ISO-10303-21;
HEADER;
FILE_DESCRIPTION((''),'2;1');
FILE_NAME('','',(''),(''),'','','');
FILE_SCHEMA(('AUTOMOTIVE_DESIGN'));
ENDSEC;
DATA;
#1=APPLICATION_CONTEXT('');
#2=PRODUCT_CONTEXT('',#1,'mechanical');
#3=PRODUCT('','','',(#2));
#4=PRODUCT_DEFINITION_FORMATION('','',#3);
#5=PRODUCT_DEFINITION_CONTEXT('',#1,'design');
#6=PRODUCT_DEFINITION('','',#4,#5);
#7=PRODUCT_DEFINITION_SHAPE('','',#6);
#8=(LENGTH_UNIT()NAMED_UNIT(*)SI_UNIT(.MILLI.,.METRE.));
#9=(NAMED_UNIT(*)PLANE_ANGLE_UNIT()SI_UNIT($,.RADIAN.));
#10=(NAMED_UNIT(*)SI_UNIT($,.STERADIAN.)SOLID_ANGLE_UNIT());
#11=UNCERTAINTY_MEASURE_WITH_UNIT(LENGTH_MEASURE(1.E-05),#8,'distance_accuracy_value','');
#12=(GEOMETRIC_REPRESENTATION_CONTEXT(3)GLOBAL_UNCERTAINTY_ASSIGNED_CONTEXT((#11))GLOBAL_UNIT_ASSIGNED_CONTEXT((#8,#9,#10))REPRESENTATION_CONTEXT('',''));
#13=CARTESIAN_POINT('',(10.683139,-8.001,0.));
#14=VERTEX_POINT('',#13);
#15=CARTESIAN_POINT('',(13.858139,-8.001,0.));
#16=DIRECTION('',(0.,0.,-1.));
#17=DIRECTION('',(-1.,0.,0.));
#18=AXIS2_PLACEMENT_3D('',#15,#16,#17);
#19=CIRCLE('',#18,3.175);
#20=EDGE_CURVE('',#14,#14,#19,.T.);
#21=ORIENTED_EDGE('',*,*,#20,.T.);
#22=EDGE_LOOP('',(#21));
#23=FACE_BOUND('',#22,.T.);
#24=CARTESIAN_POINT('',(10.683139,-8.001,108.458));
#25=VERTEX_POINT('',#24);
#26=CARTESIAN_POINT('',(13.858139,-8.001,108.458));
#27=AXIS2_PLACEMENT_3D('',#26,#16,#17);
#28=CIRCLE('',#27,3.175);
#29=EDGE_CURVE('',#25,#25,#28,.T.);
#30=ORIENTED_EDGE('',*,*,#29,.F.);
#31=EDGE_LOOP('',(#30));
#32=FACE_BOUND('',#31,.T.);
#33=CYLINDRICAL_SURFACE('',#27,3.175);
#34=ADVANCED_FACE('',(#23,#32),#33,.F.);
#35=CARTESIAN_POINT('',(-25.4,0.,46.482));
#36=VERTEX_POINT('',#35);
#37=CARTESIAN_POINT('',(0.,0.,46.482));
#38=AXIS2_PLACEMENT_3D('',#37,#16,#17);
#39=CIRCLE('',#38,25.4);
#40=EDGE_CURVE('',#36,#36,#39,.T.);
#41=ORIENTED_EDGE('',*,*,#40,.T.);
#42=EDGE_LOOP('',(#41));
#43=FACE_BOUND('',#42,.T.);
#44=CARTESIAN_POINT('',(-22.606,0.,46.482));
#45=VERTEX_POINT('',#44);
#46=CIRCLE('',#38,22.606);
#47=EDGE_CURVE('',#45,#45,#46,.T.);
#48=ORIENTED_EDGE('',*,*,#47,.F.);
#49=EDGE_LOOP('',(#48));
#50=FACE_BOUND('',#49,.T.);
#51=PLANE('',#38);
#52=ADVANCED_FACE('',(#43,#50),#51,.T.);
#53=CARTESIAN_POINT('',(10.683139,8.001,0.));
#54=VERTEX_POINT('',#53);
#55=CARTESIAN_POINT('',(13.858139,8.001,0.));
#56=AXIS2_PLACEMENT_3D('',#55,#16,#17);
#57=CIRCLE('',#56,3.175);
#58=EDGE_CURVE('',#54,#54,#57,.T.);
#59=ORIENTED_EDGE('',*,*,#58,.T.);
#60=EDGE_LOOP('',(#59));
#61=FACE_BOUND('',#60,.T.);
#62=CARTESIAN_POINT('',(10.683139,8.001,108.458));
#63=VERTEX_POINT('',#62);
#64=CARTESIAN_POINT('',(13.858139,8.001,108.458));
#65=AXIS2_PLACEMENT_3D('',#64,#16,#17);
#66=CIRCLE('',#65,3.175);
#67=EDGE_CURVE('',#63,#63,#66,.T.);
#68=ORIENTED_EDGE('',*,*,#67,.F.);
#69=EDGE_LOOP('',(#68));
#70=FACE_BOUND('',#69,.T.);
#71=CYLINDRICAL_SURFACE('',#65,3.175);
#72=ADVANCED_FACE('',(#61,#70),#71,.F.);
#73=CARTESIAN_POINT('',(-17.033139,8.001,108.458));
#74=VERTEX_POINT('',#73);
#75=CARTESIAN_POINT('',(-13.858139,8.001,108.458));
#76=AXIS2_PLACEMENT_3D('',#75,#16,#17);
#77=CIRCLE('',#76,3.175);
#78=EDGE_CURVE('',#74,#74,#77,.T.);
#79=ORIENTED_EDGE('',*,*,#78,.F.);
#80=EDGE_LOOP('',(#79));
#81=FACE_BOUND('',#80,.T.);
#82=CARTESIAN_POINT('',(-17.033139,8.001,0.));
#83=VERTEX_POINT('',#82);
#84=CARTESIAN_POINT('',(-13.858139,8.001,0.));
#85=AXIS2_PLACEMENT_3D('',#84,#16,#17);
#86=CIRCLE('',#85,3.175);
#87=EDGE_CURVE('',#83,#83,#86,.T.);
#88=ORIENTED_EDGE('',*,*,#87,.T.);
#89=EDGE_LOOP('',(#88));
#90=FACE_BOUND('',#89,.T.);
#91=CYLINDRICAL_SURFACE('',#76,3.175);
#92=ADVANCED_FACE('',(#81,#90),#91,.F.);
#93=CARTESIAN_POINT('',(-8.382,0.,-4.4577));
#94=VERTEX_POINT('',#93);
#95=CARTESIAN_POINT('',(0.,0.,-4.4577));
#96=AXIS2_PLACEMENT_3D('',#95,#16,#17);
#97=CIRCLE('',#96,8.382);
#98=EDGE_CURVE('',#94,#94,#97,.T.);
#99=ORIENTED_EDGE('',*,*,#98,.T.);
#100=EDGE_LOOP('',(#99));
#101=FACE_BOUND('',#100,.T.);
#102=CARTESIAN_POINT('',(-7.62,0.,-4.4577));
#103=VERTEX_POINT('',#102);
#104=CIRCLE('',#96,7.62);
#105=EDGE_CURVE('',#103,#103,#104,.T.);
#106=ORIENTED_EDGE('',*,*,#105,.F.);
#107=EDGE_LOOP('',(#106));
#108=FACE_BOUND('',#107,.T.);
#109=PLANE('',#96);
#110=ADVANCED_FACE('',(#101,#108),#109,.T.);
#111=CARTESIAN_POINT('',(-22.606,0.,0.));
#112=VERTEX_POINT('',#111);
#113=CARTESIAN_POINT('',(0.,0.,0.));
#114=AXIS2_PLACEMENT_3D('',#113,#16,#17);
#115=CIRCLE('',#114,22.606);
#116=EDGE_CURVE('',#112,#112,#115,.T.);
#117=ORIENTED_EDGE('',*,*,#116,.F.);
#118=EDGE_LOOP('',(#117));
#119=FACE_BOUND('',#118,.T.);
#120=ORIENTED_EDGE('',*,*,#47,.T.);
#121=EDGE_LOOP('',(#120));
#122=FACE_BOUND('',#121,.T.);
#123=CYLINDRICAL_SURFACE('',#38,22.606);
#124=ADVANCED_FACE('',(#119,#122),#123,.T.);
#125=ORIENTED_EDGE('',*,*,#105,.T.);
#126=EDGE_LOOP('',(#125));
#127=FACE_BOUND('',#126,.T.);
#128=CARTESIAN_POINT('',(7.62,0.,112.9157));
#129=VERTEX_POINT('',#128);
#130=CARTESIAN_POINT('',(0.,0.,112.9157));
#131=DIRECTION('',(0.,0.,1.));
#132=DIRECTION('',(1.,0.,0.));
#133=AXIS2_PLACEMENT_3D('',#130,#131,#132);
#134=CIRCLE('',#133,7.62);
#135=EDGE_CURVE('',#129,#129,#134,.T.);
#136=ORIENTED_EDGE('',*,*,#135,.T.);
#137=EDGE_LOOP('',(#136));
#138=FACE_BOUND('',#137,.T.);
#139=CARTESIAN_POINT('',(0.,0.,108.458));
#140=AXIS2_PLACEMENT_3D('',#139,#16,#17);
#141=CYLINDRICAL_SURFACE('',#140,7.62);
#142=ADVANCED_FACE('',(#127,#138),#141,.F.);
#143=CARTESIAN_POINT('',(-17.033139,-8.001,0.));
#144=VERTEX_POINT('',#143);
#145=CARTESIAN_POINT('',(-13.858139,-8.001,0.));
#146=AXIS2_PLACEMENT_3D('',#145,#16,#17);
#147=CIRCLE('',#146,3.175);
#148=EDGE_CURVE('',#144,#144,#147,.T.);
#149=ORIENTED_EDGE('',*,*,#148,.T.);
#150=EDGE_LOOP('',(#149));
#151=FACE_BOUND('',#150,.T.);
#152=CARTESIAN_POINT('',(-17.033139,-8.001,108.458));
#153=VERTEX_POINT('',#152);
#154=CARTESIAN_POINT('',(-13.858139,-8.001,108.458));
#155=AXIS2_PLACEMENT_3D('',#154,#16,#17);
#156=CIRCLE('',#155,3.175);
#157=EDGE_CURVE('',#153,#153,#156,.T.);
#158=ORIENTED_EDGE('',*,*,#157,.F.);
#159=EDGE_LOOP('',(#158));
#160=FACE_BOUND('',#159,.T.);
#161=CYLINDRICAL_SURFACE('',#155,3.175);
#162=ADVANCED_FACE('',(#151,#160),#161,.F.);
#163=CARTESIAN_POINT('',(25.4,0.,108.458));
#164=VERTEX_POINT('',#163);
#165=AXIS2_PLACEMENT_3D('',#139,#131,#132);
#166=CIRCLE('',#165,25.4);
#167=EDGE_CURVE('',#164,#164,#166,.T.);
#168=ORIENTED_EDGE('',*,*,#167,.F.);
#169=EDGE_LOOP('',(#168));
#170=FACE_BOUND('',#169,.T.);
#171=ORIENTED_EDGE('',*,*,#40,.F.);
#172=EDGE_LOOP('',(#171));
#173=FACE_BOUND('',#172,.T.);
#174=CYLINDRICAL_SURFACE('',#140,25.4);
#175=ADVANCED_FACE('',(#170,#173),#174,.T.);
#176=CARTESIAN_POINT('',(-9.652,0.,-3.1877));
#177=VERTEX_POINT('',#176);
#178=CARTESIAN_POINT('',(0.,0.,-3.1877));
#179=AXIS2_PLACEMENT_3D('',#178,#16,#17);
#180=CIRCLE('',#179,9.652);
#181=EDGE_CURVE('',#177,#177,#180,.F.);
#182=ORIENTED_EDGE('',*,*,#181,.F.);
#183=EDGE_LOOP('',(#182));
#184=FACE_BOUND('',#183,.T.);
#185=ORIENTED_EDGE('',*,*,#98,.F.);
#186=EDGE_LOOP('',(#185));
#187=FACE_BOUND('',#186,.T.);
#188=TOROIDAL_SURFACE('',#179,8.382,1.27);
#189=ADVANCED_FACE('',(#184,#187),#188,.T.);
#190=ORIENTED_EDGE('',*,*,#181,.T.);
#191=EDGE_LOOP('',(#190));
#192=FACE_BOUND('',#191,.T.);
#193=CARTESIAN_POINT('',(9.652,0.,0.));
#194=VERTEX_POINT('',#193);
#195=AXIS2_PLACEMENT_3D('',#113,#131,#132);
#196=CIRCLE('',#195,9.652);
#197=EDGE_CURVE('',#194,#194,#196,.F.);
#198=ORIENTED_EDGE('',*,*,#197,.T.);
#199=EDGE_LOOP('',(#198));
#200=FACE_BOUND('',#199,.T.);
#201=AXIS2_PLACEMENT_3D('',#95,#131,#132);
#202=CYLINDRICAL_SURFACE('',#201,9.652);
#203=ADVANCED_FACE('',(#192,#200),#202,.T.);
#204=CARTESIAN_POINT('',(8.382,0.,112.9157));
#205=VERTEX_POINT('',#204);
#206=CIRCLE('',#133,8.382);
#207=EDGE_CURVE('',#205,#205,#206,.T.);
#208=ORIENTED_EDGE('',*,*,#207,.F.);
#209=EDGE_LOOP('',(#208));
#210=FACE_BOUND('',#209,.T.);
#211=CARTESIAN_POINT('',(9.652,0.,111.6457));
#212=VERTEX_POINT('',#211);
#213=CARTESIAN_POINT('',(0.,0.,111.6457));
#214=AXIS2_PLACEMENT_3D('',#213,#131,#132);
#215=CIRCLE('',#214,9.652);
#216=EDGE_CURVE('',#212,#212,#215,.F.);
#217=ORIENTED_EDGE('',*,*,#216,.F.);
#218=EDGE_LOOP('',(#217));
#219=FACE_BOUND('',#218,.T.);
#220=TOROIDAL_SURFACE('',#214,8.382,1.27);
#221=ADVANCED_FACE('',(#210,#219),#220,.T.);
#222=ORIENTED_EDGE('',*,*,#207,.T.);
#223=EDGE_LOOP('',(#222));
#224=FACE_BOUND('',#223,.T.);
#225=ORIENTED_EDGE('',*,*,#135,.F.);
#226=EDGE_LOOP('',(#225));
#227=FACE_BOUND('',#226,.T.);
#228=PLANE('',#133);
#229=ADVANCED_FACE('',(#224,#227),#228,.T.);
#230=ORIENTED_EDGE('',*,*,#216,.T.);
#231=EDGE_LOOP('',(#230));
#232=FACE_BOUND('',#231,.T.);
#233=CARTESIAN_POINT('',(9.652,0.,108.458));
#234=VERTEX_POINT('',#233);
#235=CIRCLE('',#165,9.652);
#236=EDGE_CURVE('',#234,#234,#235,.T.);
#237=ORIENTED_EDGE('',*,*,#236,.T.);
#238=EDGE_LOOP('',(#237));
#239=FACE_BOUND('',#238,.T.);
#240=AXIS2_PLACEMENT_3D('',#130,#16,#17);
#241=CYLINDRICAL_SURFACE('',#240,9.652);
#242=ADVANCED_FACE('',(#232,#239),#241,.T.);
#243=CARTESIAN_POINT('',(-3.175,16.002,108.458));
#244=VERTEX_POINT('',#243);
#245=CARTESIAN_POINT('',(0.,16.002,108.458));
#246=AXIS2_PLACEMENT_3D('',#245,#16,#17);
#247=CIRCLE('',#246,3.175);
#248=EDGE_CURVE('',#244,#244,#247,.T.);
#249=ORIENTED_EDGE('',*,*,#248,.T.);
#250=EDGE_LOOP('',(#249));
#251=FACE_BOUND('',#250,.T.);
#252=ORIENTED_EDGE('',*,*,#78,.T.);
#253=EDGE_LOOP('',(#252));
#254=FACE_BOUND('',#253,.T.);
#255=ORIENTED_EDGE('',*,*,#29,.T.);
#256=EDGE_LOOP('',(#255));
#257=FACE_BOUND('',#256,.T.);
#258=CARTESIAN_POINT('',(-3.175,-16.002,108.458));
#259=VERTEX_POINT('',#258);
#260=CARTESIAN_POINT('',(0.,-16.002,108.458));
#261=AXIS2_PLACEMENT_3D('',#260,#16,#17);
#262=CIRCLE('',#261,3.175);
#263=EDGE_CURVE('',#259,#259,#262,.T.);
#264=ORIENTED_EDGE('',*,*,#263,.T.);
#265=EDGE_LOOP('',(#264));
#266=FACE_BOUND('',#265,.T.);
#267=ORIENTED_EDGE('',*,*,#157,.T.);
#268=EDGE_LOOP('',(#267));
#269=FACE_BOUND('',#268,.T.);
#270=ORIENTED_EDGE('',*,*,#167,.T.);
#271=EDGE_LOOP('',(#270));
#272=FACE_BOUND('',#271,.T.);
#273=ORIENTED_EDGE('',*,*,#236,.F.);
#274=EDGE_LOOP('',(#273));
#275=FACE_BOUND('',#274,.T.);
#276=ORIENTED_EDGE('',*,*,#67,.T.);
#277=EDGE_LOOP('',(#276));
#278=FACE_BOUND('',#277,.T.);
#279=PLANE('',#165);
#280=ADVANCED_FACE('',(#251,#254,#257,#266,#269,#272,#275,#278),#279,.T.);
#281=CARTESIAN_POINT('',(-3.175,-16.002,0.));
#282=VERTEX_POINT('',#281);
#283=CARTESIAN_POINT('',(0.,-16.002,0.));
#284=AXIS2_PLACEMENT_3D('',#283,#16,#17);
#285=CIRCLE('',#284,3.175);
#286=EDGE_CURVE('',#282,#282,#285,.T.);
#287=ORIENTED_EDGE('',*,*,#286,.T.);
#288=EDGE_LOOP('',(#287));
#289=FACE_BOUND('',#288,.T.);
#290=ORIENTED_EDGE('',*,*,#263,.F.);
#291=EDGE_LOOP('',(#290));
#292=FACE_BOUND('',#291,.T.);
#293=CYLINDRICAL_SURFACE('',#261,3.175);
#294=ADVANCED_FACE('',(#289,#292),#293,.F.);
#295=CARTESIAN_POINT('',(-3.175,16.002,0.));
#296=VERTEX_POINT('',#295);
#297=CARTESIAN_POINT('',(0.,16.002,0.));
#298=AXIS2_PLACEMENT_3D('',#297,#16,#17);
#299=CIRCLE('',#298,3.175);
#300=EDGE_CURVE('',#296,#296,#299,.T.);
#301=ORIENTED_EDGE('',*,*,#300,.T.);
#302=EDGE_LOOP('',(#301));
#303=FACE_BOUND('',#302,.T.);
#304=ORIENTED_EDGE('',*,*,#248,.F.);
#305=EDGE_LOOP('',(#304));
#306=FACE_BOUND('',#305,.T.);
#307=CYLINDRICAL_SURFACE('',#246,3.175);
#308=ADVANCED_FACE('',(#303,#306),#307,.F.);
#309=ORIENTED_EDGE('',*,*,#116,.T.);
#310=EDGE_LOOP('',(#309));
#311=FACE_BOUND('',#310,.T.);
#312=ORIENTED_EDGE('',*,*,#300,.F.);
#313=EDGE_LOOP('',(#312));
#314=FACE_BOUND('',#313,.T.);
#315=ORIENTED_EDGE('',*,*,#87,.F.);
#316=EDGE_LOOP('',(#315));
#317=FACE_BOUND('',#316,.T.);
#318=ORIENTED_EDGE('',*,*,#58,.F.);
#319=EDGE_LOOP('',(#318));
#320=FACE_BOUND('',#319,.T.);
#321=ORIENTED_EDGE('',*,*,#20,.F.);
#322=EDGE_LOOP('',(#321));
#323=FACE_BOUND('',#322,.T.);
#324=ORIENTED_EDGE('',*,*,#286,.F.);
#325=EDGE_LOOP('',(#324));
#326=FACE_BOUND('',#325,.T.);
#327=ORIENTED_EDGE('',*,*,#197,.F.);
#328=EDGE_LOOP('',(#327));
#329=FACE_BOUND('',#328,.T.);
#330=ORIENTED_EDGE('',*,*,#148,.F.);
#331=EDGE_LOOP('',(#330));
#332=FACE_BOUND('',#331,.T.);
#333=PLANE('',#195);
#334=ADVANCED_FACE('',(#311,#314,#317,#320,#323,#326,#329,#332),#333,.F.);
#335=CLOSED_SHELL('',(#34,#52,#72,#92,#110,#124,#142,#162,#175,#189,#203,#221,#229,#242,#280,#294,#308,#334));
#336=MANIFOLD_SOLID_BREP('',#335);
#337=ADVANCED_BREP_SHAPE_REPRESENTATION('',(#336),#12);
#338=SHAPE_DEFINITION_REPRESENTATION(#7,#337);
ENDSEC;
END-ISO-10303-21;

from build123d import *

# Parameters (mm, degrees)
SKETCH1_R           = 25.4
BOSS_EXTRUDE2_DEPTH = 108.458
SKETCH6_R           = 7.62
SKETCH6_R_2         = 3.175
CUT_EXTRUDE1_DEPTH  = 108.458
SKETCH7_R           = 25.4
SKETCH7_R_2         = 22.606
CUT_EXTRUDE2_DEPTH  = 46.482
SKETCH8_R           = 9.652
SKETCH8_R_2         = 7.62
BOSS_EXTRUDE7_DEPTH = 4.4577
BOSS_EXTRUDE8_START = 4.4577
SKETCH9_R           = 9.652
SKETCH9_R_2         = 7.62
BOSS_EXTRUDE8_DEPTH = 4.4577
FILLET1_R           = 1.27


with BuildPart() as part:
    # Sketch1 → Boss-Extrude2 (new body)
    with BuildSketch(Plane.XY):
        Circle(SKETCH1_R)
    extrude(amount=BOSS_EXTRUDE2_DEPTH)

    # Sketch6 → Cut-Extrude1 (cut)
    with BuildSketch(Plane(origin=(0, 0, 0), x_dir=(-1, 0, 0), z_dir=(0, 0, -1))):
        Circle(SKETCH6_R)
        with Locations((-13.858138511, 8.001)):
            Circle(SKETCH6_R_2)
        with Locations((0, 16.002)):
            Circle(SKETCH6_R_2)
        with Locations((13.858138511, 8.001)):
            Circle(SKETCH6_R_2)
        with Locations((13.858138511, -8.001)):
            Circle(SKETCH6_R_2)
        with Locations((0, -16.002)):
            Circle(SKETCH6_R_2)
        with Locations((-13.858138511, -8.001)):
            Circle(SKETCH6_R_2)
    extrude(amount=-CUT_EXTRUDE1_DEPTH, mode=Mode.SUBTRACT)

    # Sketch7 → Cut-Extrude2 (cut)
    with BuildSketch(Plane(origin=(0, 0, 0), x_dir=(-1, 0, 0), z_dir=(0, 0, -1))):
        Circle(SKETCH7_R)
        Circle(SKETCH7_R_2, mode=Mode.SUBTRACT)
    extrude(amount=-CUT_EXTRUDE2_DEPTH, mode=Mode.SUBTRACT)

    # Sketch8 → Boss-Extrude7 (add)
    with BuildSketch(Plane.XY.offset(108.458)):
        Circle(SKETCH8_R)
        with Locations(Location((0, 0, 0), (0, 0, 180))):
            Circle(SKETCH8_R_2, mode=Mode.SUBTRACT)
    extrude(amount=BOSS_EXTRUDE7_DEPTH)

    # Sketch9 → Boss-Extrude8 (add)
    with BuildSketch(Plane(origin=(0, 0, 0), x_dir=(-1, 0, 0), z_dir=(0, 0, -1)).offset(BOSS_EXTRUDE8_START)):
        with Locations(Location((0, 0, 0), (0, 0, 180))):
            Circle(SKETCH9_R)
        Circle(SKETCH9_R_2, mode=Mode.SUBTRACT)
    extrude(amount=-BOSS_EXTRUDE8_DEPTH)

    # Fillet1
    fillet1_edges = [part.edges().sort_by_distance(p)[0] for p in [
        (-9.652, 0, 112.9157),
        (-9.652, 0, -4.4577),
    ]]
    fillet(fillet1_edges, radius=FILLET1_R)


solid = part.part
